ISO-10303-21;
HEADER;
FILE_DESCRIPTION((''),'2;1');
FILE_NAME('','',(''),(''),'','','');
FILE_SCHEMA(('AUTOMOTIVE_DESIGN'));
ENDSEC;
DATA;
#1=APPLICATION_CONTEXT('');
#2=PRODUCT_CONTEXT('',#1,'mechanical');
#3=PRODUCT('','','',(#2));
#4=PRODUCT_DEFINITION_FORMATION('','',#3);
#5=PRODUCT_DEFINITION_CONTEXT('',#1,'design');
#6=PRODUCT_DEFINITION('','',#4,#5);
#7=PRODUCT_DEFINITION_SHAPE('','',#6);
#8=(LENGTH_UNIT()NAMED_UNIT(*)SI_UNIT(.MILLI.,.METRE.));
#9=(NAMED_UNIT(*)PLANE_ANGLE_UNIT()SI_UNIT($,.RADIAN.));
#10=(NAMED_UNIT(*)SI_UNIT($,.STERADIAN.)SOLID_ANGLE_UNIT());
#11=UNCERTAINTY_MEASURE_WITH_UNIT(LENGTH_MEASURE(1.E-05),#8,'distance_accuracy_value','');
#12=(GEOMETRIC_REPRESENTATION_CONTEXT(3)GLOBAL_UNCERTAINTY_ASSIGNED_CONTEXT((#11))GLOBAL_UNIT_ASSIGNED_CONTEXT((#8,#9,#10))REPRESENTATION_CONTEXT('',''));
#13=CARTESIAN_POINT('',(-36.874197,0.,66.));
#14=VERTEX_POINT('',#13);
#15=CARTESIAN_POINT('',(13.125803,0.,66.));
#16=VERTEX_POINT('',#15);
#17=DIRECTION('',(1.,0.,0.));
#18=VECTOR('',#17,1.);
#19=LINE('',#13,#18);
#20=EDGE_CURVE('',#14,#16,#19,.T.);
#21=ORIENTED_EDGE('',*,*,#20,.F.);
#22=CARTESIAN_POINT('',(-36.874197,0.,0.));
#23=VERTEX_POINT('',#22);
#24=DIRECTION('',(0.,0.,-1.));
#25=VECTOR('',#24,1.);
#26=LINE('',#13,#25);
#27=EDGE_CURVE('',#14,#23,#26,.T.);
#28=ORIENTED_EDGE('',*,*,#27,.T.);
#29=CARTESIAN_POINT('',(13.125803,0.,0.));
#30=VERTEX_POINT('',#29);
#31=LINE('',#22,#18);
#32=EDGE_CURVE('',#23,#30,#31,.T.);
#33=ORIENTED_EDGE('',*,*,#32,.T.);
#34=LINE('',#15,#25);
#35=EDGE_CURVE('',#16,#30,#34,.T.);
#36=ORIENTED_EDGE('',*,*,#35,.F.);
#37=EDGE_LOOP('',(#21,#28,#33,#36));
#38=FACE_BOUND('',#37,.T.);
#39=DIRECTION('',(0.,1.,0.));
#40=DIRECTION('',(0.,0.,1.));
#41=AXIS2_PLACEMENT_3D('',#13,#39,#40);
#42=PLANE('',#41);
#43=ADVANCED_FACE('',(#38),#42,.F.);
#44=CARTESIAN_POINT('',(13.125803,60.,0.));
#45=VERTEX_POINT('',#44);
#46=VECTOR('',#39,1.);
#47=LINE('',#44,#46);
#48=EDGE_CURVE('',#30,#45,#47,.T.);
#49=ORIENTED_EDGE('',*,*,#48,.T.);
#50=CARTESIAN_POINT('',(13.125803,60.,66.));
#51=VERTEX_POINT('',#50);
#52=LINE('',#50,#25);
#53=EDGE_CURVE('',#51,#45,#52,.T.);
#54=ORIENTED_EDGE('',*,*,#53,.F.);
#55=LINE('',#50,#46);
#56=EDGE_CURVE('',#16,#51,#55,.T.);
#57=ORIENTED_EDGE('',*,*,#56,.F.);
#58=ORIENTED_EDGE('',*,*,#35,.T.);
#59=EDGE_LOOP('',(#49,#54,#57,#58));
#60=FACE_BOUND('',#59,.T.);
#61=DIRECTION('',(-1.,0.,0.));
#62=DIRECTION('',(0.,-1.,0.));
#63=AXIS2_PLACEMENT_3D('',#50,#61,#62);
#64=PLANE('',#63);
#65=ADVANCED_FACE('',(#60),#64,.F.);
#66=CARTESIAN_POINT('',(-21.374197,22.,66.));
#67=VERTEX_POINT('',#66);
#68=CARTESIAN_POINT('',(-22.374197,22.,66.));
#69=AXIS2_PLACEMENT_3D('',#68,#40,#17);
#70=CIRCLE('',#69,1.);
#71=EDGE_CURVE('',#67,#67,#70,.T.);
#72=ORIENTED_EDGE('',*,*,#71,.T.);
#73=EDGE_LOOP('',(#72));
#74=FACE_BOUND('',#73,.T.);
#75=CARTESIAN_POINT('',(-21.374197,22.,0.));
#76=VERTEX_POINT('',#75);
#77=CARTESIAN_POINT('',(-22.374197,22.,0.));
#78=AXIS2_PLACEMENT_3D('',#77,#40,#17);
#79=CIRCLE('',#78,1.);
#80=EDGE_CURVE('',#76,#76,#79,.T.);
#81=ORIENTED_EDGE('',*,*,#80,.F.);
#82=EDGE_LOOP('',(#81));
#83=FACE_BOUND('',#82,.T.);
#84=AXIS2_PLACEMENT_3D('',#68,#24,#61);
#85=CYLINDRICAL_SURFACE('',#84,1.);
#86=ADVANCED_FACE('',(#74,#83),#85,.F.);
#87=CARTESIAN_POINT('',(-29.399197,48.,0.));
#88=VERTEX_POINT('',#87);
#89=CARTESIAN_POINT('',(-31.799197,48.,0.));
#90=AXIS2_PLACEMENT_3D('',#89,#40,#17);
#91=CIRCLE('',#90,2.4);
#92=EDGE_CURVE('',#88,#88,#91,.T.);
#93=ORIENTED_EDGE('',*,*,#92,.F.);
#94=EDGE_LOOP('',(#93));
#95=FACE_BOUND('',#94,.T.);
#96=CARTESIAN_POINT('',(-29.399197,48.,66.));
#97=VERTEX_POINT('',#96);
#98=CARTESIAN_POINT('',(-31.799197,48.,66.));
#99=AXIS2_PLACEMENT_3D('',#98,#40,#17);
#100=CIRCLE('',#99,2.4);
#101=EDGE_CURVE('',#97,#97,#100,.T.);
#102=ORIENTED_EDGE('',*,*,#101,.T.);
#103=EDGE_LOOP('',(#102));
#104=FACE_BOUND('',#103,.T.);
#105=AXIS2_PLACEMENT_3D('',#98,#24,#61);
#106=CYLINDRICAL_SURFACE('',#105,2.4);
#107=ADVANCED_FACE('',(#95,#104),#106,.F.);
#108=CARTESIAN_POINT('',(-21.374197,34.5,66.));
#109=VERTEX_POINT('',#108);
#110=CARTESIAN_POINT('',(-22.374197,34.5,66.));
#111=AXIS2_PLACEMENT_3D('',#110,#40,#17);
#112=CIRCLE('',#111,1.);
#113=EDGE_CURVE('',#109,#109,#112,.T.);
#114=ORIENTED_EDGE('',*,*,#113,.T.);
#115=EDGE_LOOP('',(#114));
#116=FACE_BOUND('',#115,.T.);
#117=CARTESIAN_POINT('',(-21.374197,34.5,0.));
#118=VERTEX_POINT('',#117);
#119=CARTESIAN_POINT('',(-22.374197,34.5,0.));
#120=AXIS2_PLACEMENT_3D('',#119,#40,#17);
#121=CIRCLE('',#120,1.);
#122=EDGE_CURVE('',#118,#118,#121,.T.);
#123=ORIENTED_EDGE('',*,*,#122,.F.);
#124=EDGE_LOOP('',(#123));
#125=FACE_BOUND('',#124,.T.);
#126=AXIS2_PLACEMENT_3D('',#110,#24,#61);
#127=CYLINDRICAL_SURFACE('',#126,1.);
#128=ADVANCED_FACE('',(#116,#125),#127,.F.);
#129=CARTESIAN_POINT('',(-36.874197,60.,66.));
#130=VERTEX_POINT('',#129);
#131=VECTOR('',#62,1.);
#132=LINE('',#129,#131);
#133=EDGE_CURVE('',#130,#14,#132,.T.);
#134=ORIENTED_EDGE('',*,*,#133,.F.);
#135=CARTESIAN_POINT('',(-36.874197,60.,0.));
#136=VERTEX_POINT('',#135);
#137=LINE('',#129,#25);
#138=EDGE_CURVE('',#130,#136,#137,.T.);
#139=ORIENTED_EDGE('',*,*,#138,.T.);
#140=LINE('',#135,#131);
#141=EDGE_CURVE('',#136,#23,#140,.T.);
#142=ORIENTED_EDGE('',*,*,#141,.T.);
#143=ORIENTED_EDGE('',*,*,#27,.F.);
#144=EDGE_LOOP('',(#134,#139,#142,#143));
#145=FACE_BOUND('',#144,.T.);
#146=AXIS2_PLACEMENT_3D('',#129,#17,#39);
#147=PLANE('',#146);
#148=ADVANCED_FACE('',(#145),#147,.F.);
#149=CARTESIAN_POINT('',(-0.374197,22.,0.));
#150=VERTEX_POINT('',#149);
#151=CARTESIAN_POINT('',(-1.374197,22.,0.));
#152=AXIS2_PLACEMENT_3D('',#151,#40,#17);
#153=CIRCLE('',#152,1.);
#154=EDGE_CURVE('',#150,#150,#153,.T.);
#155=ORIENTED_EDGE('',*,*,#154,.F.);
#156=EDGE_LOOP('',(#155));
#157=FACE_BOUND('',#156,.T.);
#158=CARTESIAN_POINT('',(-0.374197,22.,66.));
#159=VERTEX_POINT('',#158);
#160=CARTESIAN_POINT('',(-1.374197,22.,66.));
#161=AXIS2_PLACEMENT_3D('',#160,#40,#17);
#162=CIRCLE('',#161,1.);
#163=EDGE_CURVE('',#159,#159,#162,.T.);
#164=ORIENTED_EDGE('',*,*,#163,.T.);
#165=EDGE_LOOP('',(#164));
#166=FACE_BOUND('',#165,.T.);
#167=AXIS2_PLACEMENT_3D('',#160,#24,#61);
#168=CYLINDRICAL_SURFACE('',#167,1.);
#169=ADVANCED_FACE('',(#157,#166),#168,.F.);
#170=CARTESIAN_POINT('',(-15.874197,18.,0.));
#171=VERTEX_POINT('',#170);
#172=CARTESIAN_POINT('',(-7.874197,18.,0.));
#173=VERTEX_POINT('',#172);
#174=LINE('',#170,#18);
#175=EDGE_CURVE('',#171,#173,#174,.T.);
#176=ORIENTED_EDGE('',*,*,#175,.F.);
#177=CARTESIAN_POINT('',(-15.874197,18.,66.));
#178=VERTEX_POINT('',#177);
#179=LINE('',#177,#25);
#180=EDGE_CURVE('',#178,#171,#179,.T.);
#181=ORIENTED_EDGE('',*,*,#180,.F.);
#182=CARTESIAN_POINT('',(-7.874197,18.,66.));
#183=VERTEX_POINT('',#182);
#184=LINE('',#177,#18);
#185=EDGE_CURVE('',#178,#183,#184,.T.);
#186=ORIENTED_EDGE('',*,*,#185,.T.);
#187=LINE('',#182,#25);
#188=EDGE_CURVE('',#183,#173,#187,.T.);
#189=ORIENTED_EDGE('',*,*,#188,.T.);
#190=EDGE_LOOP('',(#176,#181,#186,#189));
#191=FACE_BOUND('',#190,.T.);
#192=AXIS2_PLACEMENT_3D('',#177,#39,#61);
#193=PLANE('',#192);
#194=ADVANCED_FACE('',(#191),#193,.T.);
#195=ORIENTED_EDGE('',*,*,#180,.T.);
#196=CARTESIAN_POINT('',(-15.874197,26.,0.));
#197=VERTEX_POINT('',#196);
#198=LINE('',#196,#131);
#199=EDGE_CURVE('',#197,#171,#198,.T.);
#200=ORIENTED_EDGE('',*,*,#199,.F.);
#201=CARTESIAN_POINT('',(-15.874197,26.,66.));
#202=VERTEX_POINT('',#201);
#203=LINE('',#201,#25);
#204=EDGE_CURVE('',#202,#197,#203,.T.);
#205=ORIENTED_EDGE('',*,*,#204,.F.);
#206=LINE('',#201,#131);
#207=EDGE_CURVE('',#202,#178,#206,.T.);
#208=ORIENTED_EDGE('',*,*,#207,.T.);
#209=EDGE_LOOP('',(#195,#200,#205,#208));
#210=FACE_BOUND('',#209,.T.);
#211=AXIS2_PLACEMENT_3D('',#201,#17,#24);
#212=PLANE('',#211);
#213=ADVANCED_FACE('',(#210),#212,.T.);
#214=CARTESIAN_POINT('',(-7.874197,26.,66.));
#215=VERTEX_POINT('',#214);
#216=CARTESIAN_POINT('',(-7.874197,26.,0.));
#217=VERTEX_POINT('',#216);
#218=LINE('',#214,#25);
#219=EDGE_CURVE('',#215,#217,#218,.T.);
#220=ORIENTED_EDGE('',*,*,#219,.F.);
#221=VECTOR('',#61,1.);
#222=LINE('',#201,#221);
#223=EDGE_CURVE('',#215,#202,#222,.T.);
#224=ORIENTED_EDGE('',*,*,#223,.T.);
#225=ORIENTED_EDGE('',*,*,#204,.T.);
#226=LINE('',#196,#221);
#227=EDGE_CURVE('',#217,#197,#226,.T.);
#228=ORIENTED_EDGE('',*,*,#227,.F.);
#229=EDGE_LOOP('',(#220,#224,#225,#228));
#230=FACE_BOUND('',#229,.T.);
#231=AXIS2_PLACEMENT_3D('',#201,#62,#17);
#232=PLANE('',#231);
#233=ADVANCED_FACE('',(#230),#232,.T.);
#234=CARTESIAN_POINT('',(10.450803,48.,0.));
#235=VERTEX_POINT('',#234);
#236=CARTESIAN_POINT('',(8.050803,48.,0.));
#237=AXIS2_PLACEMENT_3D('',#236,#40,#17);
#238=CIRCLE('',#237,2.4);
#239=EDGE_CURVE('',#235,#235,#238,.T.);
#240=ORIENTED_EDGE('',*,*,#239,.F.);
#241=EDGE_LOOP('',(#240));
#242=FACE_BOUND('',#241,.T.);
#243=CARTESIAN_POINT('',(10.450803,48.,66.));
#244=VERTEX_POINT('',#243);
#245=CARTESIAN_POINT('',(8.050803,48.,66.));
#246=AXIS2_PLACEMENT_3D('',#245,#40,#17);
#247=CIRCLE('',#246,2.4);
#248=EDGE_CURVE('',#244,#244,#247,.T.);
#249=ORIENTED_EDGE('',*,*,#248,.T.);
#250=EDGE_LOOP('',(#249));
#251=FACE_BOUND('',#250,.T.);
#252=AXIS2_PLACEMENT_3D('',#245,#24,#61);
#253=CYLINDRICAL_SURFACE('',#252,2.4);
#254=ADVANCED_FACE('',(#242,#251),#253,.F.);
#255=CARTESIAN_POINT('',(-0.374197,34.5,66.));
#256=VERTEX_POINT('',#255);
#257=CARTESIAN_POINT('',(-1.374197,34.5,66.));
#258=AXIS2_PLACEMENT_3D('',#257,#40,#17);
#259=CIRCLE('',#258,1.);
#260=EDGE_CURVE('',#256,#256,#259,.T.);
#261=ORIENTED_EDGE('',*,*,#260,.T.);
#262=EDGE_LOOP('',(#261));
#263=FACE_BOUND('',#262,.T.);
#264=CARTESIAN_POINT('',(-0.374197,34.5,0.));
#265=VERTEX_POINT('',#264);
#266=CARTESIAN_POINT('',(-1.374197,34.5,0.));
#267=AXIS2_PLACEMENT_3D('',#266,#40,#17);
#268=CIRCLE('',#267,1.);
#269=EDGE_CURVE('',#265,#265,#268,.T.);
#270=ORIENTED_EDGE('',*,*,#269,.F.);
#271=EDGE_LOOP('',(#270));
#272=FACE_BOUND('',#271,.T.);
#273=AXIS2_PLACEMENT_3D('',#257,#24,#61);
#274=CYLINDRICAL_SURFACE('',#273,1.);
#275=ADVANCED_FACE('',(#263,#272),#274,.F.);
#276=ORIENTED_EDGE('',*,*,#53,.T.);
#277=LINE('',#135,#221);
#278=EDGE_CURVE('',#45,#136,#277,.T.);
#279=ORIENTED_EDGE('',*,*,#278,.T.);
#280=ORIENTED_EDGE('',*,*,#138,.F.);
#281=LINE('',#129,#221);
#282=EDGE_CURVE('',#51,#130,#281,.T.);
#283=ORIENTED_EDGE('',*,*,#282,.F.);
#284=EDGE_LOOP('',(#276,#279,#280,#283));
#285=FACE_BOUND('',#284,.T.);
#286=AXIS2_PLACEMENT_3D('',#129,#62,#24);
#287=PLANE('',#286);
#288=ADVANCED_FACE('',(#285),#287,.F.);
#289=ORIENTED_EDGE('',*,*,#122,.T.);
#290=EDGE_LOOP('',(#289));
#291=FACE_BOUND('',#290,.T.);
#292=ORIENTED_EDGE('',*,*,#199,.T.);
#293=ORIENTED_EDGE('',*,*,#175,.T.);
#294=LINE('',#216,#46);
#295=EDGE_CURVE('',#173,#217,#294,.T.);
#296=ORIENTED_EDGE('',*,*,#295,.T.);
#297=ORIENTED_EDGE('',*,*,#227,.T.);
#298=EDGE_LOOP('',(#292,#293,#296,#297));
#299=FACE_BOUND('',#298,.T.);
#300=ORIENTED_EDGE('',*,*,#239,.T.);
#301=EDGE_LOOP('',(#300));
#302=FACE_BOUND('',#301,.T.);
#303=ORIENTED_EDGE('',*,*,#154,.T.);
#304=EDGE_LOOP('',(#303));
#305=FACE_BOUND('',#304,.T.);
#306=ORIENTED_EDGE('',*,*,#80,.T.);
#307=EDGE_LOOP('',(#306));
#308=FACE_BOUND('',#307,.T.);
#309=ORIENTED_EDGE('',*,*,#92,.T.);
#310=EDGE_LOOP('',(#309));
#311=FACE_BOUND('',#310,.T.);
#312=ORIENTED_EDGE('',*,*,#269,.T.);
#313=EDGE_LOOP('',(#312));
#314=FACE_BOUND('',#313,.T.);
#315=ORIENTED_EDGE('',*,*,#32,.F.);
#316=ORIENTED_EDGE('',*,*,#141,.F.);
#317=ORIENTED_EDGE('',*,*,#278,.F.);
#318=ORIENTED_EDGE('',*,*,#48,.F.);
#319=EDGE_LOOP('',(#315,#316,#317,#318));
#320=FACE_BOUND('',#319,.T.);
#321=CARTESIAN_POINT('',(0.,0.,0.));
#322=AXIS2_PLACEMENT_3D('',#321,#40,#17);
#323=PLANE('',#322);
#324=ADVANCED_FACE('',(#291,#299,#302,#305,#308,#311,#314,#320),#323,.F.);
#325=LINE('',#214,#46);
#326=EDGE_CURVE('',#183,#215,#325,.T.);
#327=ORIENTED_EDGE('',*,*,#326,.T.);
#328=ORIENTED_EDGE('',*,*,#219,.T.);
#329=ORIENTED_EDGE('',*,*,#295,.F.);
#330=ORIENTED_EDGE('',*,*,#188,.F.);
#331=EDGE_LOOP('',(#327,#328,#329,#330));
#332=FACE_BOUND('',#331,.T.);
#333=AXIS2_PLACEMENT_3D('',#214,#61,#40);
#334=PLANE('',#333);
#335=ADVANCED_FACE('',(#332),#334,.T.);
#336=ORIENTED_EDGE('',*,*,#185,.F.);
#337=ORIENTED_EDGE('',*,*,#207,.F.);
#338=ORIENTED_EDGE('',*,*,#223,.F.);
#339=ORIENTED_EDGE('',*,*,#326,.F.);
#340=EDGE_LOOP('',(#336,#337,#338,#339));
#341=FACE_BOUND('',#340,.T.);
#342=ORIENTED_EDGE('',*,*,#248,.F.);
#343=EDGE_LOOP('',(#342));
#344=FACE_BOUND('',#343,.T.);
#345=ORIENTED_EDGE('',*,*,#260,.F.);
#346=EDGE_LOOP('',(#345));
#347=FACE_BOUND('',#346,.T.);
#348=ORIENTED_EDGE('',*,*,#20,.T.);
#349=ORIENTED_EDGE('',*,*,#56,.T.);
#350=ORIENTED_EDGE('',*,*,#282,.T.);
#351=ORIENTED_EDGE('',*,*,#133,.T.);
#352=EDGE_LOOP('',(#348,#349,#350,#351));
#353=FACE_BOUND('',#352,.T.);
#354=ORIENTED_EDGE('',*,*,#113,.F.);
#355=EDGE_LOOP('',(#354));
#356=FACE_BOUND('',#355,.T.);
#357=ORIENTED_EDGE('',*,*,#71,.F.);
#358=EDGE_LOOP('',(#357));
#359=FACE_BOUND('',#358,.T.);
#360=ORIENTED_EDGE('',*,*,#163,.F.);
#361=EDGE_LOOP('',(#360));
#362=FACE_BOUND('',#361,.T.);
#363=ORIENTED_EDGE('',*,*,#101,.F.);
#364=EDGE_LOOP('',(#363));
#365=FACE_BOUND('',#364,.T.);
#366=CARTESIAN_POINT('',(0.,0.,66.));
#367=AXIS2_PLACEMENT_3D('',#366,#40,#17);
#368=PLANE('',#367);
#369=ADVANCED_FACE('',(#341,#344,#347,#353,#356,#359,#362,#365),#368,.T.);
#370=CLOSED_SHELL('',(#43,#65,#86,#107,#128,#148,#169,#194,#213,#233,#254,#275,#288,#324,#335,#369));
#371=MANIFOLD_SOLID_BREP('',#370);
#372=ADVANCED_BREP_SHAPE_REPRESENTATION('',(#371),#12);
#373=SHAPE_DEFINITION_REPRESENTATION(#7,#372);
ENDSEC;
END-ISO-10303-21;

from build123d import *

# Parameters (mm, degrees)
SKETCH1_W           = 50
SKETCH1_H           = 60
SKETCH1_R           = 1
SKETCH1_R_2         = 2.4
SKETCH1_W_2         = 8
SKETCH1_H_2         = 8
BOSS_EXTRUDE1_DEPTH = 66


with BuildPart() as part:
    # Sketch1 → Boss-Extrude1 (new body)
    with BuildSketch(Plane.XY):
        with Locations((-11.874196976, 30)):
            Rectangle(SKETCH1_W, SKETCH1_H)
        with Locations((-22.374196976, 34.5)):
            Circle(SKETCH1_R, mode=Mode.SUBTRACT)
        with Locations((-22.374196976, 22)):
            Circle(SKETCH1_R, mode=Mode.SUBTRACT)
        with Locations((-1.374196976, 22)):
            Circle(SKETCH1_R, mode=Mode.SUBTRACT)
        with Locations((-1.374196976, 34.5)):
            Circle(SKETCH1_R, mode=Mode.SUBTRACT)
        with Locations((-31.799196976, 48)):
            Circle(SKETCH1_R_2, mode=Mode.SUBTRACT)
        with Locations((8.050803024, 48)):
            Circle(SKETCH1_R_2, mode=Mode.SUBTRACT)
        with Locations((-11.874196976, 22)):
            Rectangle(SKETCH1_W_2, SKETCH1_H_2, mode=Mode.SUBTRACT)
    extrude(amount=BOSS_EXTRUDE1_DEPTH)


solid = part.part
